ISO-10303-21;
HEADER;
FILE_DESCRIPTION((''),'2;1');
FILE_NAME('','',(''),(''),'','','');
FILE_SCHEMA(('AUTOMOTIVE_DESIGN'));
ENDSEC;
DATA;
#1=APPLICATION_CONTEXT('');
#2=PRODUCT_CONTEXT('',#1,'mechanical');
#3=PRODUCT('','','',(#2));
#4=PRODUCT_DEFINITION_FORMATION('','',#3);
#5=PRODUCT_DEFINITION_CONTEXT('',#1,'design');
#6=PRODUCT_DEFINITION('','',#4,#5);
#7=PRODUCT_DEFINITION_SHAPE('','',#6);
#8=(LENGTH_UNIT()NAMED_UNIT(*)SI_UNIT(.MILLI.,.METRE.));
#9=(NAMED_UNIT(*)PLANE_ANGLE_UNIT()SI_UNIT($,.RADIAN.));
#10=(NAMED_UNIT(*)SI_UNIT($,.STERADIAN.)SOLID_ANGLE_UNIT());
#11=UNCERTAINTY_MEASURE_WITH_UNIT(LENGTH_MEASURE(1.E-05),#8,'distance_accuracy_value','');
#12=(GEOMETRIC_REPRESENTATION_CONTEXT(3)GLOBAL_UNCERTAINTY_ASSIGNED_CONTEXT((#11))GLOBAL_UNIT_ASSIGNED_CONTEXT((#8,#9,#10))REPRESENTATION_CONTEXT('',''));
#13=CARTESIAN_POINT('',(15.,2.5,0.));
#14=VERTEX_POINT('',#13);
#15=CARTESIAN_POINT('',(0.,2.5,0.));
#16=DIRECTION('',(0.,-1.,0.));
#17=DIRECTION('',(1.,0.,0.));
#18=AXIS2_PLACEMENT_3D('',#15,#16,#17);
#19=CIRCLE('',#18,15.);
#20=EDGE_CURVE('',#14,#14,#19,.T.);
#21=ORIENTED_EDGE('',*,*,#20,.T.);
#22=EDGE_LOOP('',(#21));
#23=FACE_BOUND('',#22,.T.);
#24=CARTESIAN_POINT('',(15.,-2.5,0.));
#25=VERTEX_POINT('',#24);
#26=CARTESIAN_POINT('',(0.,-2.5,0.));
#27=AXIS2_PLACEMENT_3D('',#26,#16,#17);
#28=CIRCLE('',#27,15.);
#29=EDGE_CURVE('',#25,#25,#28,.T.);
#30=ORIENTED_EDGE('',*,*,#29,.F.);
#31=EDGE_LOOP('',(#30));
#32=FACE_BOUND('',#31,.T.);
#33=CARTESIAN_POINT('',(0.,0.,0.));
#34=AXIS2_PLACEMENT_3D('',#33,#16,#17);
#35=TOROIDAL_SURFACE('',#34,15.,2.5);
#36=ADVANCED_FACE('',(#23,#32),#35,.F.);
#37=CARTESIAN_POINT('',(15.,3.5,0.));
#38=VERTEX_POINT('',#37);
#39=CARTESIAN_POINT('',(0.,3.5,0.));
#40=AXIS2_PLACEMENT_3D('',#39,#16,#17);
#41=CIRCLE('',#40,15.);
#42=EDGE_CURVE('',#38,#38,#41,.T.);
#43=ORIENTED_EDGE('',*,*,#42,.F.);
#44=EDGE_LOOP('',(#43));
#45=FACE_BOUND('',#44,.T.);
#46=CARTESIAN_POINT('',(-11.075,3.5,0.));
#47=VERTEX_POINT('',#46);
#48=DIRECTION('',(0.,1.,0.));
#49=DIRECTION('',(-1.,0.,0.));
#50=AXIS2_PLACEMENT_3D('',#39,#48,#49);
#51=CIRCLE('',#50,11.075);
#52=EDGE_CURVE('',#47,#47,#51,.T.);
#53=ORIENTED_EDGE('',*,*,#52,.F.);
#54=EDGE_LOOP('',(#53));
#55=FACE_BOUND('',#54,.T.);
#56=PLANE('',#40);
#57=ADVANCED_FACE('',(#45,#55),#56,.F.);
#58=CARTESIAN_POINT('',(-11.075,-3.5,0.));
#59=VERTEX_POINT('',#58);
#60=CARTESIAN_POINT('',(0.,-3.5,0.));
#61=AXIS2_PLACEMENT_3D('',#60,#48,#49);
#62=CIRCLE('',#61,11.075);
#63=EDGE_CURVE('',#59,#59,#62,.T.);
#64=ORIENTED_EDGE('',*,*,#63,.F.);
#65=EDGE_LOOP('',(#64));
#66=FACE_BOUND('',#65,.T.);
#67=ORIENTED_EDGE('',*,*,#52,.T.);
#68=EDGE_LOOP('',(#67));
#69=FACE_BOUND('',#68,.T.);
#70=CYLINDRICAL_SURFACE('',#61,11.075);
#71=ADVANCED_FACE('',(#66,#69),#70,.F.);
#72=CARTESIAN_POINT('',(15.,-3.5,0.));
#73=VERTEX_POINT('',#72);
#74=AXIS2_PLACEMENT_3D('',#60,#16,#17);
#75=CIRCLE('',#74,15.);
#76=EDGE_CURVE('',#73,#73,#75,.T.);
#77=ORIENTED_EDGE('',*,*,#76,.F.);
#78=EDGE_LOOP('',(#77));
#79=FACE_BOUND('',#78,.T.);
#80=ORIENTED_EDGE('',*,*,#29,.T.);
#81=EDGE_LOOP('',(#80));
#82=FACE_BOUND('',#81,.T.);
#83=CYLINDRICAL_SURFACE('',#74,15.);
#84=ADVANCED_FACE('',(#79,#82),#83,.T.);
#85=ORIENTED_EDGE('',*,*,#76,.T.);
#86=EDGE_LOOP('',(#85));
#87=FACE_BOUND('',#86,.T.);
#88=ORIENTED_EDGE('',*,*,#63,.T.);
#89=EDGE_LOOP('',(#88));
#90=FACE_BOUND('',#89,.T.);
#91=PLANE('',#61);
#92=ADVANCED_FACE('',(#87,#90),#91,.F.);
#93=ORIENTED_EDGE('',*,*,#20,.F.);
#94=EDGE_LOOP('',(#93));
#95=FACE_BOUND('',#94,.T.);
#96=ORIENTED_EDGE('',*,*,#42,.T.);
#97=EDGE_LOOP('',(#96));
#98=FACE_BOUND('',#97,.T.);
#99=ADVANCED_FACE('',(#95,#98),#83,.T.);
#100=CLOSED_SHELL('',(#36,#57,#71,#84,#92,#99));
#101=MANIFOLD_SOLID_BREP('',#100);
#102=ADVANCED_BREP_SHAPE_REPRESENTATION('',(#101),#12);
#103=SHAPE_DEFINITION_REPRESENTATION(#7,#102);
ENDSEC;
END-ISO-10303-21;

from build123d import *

# Parameters (mm, degrees)
SKETCH4_R          = 11.075
CUT_EXTRUDE1_DEPTH = 23.338307904


with BuildPart() as part:
    # Sketch2 → Revolve1 (revolve)
    with BuildSketch(Plane.XY):
        with BuildLine():
            Line((-15, 2.5), (-15, 3.5))
            Line((-15, 3.5), (0, 3.5))
            Line((0, 3.5), (0, -3.5))
            Line((0, -3.5), (-15, -3.5))
            Line((-15, -3.5), (-15, -2.5))
            ThreePointArc((-15, -2.5), (-12.5, 0), (-15, 2.5))
        make_face()
    revolve(axis=Axis((0, -3.5, 0), (0, 1, 0)))

    # Sketch4 → Cut-Extrude1 (cut, through all)
    with BuildSketch(Plane(origin=(0, 3.5, 0), x_dir=(1, 0, 0), z_dir=(0, 1, 0))):
        Circle(SKETCH4_R)
    extrude(amount=-CUT_EXTRUDE1_DEPTH, mode=Mode.SUBTRACT)


solid = part.part
